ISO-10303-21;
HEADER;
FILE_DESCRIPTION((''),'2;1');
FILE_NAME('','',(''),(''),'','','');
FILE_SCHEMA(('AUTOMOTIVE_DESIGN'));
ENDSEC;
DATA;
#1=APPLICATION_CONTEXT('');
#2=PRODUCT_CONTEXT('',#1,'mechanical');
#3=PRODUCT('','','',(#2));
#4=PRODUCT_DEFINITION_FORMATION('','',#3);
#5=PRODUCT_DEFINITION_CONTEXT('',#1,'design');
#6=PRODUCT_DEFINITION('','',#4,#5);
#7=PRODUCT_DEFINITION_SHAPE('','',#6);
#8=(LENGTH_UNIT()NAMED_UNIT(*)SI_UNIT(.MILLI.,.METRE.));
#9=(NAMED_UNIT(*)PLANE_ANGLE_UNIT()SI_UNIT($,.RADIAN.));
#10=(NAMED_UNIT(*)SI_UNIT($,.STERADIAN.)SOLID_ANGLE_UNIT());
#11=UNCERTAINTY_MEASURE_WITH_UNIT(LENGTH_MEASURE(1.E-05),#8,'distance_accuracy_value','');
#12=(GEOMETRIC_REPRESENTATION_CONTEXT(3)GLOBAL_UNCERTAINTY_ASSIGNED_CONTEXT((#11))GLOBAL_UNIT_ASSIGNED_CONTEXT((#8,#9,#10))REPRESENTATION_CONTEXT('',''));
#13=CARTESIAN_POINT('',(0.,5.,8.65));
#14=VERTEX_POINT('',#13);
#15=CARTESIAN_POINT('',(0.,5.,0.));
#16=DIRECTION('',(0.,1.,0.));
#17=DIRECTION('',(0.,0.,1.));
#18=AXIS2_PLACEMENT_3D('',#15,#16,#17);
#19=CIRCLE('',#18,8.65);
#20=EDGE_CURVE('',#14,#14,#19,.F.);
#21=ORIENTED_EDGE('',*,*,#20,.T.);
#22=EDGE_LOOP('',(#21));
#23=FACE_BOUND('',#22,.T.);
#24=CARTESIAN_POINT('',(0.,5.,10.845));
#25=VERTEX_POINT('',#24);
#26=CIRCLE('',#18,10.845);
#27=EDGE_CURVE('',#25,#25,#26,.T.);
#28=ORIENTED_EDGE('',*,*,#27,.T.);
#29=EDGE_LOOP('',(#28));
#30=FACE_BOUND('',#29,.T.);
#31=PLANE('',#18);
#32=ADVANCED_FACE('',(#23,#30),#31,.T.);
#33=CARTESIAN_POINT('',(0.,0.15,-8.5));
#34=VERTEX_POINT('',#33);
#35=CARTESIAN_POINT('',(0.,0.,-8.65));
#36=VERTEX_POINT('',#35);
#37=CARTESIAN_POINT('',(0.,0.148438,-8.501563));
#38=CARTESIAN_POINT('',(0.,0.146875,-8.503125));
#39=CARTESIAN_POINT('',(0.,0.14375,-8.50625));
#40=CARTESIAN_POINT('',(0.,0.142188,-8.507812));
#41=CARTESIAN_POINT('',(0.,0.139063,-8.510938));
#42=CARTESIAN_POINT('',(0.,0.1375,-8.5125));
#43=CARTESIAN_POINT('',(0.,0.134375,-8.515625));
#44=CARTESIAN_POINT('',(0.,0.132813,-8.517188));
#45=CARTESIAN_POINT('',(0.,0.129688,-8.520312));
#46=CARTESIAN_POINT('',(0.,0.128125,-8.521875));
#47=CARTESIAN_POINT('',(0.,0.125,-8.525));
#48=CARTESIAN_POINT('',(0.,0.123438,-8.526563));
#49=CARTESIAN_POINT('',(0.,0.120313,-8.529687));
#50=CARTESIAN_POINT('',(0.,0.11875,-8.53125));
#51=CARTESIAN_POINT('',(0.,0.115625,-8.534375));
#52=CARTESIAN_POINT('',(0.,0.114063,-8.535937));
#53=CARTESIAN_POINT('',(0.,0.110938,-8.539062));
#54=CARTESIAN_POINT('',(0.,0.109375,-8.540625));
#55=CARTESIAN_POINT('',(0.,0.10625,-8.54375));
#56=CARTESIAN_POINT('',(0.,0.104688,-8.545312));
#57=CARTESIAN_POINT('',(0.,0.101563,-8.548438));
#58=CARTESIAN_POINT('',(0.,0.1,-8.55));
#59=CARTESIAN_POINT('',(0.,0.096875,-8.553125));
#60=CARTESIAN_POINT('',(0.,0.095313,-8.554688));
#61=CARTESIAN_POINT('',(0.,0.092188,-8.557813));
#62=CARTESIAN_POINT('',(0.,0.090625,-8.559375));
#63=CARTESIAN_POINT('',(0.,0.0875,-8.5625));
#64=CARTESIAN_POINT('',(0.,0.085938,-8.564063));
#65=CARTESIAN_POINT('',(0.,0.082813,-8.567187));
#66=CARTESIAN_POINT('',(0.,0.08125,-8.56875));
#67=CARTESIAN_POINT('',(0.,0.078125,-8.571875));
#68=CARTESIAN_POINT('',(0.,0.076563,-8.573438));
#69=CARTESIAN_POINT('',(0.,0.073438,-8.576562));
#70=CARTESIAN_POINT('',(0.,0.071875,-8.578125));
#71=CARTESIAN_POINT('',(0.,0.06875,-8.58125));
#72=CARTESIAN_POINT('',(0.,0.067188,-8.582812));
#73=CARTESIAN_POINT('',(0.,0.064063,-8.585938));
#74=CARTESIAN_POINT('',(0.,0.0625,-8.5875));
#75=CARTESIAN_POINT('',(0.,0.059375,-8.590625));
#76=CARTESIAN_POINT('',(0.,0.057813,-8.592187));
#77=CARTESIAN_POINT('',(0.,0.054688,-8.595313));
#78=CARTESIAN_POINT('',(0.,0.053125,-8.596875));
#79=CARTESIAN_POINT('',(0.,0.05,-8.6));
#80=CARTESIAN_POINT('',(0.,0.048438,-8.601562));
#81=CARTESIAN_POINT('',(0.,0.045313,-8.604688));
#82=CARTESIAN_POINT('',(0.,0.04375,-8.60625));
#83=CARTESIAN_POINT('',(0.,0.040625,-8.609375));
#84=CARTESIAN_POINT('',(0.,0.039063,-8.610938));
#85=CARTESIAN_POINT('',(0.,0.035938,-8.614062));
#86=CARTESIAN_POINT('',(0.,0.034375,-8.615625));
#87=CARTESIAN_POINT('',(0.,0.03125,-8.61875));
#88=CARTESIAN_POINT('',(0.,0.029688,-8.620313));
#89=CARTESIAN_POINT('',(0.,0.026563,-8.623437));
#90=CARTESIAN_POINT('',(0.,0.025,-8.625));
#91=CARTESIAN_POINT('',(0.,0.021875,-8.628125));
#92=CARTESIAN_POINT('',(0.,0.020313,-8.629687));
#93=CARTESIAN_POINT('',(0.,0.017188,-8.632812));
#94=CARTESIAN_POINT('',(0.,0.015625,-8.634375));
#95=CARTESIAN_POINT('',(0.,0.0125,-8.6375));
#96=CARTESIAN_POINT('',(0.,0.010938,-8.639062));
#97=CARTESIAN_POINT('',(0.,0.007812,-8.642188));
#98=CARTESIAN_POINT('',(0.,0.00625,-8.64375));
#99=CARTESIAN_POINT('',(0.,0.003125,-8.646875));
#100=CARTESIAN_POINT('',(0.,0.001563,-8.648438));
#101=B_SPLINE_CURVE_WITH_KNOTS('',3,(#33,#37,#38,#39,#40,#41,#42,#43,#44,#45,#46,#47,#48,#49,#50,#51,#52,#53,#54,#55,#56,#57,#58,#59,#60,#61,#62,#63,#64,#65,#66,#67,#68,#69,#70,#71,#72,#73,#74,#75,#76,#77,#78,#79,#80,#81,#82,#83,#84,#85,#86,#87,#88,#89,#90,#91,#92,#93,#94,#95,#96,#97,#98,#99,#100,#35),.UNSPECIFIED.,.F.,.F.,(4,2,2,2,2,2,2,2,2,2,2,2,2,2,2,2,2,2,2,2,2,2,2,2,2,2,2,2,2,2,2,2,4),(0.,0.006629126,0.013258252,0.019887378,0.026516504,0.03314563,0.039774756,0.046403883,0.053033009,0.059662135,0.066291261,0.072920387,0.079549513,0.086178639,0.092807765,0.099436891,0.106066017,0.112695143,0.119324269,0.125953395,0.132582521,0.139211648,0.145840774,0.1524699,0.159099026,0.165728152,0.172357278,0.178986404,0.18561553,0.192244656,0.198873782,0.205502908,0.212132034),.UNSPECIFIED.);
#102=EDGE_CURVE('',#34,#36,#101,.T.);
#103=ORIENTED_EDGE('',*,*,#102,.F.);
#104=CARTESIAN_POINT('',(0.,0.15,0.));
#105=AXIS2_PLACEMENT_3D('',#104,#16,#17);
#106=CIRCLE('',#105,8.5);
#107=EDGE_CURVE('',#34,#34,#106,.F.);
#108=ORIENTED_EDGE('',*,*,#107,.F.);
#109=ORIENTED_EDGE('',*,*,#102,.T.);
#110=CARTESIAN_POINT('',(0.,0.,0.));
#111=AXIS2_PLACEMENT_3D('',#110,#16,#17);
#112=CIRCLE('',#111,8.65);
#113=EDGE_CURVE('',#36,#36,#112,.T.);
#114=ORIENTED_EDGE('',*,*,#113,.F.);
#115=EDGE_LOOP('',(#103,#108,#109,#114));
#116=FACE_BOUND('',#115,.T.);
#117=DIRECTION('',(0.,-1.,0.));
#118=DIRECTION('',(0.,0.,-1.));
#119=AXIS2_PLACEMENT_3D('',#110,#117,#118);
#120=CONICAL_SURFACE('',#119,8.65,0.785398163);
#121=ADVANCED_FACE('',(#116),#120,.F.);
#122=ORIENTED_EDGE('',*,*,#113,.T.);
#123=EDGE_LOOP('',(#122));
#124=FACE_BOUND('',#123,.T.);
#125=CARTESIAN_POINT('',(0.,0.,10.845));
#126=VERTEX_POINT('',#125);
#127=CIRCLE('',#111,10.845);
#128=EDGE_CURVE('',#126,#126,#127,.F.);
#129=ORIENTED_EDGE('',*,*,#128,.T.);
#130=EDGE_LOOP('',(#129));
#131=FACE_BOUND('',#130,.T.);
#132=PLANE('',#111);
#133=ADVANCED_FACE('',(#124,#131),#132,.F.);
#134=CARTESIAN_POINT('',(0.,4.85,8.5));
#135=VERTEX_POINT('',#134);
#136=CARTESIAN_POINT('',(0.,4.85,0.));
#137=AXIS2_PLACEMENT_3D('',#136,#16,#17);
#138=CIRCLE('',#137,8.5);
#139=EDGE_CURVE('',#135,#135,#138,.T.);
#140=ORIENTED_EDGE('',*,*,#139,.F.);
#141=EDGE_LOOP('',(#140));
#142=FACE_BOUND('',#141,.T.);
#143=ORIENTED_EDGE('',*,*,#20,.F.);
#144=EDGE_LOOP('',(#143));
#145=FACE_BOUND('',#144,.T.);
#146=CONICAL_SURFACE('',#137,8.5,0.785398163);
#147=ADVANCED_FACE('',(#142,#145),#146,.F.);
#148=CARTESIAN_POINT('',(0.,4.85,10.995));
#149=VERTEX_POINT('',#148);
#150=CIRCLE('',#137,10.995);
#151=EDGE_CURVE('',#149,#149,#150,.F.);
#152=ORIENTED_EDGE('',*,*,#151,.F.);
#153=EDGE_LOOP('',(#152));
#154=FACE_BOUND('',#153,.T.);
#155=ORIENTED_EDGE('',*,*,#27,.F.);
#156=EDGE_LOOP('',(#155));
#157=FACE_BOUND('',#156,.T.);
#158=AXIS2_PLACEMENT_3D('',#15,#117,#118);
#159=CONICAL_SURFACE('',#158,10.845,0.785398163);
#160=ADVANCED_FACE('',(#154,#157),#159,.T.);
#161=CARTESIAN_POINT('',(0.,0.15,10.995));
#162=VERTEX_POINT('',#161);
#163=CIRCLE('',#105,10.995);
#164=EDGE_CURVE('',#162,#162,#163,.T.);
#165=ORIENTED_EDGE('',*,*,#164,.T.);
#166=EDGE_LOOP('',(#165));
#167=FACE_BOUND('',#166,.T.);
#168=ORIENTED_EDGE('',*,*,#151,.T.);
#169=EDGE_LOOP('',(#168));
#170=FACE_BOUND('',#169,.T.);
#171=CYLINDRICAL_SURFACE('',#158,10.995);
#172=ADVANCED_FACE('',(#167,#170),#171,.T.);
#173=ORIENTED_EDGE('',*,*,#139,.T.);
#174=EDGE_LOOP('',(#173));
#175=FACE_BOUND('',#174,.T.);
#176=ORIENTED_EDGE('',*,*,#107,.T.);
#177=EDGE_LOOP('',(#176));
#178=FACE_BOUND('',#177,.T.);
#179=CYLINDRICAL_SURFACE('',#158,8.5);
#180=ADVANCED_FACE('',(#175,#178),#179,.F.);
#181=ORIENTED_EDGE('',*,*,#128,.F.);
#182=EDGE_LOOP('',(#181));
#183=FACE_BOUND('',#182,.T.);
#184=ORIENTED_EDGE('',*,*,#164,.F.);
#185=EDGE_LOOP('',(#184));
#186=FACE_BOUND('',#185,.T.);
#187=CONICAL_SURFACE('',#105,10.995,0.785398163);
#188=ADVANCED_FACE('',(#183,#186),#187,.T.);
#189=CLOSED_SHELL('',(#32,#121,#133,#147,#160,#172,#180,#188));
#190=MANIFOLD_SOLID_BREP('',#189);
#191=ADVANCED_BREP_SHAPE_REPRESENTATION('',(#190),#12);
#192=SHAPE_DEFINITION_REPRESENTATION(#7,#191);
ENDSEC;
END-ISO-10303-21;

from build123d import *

# Parameters (mm, degrees)
SKETCH1_R           = 10.995
SKETCH1_R_2         = 8.5
BOSS_EXTRUDE1_DEPTH = 5
CHAMFER1_SIZE       = 0.15


with BuildPart() as part:
    # Sketch1 → Boss-Extrude1 (new body)
    with BuildSketch(Plane(origin=(0, 0, 0), x_dir=(1, 0, 0), z_dir=(0, 1, 0))):
        with Locations(Location((0, 0, 0), (0, 0, 270))):
            Circle(SKETCH1_R)
        with Locations(Location((0, 0, 0), (0, 0, 270))):
            Circle(SKETCH1_R_2, mode=Mode.SUBTRACT)
    extrude(amount=BOSS_EXTRUDE1_DEPTH)

    # Chamfer1
    chamfer1_edges = [part.edges().sort_by_distance(p)[0] for p in [
        (0, 0, -10.995),
        (0, 5, -10.995),
        (0, 0, -8.5),
        (0, 5, -8.5),
    ]]
    chamfer(chamfer1_edges, length=CHAMFER1_SIZE)


solid = part.part
